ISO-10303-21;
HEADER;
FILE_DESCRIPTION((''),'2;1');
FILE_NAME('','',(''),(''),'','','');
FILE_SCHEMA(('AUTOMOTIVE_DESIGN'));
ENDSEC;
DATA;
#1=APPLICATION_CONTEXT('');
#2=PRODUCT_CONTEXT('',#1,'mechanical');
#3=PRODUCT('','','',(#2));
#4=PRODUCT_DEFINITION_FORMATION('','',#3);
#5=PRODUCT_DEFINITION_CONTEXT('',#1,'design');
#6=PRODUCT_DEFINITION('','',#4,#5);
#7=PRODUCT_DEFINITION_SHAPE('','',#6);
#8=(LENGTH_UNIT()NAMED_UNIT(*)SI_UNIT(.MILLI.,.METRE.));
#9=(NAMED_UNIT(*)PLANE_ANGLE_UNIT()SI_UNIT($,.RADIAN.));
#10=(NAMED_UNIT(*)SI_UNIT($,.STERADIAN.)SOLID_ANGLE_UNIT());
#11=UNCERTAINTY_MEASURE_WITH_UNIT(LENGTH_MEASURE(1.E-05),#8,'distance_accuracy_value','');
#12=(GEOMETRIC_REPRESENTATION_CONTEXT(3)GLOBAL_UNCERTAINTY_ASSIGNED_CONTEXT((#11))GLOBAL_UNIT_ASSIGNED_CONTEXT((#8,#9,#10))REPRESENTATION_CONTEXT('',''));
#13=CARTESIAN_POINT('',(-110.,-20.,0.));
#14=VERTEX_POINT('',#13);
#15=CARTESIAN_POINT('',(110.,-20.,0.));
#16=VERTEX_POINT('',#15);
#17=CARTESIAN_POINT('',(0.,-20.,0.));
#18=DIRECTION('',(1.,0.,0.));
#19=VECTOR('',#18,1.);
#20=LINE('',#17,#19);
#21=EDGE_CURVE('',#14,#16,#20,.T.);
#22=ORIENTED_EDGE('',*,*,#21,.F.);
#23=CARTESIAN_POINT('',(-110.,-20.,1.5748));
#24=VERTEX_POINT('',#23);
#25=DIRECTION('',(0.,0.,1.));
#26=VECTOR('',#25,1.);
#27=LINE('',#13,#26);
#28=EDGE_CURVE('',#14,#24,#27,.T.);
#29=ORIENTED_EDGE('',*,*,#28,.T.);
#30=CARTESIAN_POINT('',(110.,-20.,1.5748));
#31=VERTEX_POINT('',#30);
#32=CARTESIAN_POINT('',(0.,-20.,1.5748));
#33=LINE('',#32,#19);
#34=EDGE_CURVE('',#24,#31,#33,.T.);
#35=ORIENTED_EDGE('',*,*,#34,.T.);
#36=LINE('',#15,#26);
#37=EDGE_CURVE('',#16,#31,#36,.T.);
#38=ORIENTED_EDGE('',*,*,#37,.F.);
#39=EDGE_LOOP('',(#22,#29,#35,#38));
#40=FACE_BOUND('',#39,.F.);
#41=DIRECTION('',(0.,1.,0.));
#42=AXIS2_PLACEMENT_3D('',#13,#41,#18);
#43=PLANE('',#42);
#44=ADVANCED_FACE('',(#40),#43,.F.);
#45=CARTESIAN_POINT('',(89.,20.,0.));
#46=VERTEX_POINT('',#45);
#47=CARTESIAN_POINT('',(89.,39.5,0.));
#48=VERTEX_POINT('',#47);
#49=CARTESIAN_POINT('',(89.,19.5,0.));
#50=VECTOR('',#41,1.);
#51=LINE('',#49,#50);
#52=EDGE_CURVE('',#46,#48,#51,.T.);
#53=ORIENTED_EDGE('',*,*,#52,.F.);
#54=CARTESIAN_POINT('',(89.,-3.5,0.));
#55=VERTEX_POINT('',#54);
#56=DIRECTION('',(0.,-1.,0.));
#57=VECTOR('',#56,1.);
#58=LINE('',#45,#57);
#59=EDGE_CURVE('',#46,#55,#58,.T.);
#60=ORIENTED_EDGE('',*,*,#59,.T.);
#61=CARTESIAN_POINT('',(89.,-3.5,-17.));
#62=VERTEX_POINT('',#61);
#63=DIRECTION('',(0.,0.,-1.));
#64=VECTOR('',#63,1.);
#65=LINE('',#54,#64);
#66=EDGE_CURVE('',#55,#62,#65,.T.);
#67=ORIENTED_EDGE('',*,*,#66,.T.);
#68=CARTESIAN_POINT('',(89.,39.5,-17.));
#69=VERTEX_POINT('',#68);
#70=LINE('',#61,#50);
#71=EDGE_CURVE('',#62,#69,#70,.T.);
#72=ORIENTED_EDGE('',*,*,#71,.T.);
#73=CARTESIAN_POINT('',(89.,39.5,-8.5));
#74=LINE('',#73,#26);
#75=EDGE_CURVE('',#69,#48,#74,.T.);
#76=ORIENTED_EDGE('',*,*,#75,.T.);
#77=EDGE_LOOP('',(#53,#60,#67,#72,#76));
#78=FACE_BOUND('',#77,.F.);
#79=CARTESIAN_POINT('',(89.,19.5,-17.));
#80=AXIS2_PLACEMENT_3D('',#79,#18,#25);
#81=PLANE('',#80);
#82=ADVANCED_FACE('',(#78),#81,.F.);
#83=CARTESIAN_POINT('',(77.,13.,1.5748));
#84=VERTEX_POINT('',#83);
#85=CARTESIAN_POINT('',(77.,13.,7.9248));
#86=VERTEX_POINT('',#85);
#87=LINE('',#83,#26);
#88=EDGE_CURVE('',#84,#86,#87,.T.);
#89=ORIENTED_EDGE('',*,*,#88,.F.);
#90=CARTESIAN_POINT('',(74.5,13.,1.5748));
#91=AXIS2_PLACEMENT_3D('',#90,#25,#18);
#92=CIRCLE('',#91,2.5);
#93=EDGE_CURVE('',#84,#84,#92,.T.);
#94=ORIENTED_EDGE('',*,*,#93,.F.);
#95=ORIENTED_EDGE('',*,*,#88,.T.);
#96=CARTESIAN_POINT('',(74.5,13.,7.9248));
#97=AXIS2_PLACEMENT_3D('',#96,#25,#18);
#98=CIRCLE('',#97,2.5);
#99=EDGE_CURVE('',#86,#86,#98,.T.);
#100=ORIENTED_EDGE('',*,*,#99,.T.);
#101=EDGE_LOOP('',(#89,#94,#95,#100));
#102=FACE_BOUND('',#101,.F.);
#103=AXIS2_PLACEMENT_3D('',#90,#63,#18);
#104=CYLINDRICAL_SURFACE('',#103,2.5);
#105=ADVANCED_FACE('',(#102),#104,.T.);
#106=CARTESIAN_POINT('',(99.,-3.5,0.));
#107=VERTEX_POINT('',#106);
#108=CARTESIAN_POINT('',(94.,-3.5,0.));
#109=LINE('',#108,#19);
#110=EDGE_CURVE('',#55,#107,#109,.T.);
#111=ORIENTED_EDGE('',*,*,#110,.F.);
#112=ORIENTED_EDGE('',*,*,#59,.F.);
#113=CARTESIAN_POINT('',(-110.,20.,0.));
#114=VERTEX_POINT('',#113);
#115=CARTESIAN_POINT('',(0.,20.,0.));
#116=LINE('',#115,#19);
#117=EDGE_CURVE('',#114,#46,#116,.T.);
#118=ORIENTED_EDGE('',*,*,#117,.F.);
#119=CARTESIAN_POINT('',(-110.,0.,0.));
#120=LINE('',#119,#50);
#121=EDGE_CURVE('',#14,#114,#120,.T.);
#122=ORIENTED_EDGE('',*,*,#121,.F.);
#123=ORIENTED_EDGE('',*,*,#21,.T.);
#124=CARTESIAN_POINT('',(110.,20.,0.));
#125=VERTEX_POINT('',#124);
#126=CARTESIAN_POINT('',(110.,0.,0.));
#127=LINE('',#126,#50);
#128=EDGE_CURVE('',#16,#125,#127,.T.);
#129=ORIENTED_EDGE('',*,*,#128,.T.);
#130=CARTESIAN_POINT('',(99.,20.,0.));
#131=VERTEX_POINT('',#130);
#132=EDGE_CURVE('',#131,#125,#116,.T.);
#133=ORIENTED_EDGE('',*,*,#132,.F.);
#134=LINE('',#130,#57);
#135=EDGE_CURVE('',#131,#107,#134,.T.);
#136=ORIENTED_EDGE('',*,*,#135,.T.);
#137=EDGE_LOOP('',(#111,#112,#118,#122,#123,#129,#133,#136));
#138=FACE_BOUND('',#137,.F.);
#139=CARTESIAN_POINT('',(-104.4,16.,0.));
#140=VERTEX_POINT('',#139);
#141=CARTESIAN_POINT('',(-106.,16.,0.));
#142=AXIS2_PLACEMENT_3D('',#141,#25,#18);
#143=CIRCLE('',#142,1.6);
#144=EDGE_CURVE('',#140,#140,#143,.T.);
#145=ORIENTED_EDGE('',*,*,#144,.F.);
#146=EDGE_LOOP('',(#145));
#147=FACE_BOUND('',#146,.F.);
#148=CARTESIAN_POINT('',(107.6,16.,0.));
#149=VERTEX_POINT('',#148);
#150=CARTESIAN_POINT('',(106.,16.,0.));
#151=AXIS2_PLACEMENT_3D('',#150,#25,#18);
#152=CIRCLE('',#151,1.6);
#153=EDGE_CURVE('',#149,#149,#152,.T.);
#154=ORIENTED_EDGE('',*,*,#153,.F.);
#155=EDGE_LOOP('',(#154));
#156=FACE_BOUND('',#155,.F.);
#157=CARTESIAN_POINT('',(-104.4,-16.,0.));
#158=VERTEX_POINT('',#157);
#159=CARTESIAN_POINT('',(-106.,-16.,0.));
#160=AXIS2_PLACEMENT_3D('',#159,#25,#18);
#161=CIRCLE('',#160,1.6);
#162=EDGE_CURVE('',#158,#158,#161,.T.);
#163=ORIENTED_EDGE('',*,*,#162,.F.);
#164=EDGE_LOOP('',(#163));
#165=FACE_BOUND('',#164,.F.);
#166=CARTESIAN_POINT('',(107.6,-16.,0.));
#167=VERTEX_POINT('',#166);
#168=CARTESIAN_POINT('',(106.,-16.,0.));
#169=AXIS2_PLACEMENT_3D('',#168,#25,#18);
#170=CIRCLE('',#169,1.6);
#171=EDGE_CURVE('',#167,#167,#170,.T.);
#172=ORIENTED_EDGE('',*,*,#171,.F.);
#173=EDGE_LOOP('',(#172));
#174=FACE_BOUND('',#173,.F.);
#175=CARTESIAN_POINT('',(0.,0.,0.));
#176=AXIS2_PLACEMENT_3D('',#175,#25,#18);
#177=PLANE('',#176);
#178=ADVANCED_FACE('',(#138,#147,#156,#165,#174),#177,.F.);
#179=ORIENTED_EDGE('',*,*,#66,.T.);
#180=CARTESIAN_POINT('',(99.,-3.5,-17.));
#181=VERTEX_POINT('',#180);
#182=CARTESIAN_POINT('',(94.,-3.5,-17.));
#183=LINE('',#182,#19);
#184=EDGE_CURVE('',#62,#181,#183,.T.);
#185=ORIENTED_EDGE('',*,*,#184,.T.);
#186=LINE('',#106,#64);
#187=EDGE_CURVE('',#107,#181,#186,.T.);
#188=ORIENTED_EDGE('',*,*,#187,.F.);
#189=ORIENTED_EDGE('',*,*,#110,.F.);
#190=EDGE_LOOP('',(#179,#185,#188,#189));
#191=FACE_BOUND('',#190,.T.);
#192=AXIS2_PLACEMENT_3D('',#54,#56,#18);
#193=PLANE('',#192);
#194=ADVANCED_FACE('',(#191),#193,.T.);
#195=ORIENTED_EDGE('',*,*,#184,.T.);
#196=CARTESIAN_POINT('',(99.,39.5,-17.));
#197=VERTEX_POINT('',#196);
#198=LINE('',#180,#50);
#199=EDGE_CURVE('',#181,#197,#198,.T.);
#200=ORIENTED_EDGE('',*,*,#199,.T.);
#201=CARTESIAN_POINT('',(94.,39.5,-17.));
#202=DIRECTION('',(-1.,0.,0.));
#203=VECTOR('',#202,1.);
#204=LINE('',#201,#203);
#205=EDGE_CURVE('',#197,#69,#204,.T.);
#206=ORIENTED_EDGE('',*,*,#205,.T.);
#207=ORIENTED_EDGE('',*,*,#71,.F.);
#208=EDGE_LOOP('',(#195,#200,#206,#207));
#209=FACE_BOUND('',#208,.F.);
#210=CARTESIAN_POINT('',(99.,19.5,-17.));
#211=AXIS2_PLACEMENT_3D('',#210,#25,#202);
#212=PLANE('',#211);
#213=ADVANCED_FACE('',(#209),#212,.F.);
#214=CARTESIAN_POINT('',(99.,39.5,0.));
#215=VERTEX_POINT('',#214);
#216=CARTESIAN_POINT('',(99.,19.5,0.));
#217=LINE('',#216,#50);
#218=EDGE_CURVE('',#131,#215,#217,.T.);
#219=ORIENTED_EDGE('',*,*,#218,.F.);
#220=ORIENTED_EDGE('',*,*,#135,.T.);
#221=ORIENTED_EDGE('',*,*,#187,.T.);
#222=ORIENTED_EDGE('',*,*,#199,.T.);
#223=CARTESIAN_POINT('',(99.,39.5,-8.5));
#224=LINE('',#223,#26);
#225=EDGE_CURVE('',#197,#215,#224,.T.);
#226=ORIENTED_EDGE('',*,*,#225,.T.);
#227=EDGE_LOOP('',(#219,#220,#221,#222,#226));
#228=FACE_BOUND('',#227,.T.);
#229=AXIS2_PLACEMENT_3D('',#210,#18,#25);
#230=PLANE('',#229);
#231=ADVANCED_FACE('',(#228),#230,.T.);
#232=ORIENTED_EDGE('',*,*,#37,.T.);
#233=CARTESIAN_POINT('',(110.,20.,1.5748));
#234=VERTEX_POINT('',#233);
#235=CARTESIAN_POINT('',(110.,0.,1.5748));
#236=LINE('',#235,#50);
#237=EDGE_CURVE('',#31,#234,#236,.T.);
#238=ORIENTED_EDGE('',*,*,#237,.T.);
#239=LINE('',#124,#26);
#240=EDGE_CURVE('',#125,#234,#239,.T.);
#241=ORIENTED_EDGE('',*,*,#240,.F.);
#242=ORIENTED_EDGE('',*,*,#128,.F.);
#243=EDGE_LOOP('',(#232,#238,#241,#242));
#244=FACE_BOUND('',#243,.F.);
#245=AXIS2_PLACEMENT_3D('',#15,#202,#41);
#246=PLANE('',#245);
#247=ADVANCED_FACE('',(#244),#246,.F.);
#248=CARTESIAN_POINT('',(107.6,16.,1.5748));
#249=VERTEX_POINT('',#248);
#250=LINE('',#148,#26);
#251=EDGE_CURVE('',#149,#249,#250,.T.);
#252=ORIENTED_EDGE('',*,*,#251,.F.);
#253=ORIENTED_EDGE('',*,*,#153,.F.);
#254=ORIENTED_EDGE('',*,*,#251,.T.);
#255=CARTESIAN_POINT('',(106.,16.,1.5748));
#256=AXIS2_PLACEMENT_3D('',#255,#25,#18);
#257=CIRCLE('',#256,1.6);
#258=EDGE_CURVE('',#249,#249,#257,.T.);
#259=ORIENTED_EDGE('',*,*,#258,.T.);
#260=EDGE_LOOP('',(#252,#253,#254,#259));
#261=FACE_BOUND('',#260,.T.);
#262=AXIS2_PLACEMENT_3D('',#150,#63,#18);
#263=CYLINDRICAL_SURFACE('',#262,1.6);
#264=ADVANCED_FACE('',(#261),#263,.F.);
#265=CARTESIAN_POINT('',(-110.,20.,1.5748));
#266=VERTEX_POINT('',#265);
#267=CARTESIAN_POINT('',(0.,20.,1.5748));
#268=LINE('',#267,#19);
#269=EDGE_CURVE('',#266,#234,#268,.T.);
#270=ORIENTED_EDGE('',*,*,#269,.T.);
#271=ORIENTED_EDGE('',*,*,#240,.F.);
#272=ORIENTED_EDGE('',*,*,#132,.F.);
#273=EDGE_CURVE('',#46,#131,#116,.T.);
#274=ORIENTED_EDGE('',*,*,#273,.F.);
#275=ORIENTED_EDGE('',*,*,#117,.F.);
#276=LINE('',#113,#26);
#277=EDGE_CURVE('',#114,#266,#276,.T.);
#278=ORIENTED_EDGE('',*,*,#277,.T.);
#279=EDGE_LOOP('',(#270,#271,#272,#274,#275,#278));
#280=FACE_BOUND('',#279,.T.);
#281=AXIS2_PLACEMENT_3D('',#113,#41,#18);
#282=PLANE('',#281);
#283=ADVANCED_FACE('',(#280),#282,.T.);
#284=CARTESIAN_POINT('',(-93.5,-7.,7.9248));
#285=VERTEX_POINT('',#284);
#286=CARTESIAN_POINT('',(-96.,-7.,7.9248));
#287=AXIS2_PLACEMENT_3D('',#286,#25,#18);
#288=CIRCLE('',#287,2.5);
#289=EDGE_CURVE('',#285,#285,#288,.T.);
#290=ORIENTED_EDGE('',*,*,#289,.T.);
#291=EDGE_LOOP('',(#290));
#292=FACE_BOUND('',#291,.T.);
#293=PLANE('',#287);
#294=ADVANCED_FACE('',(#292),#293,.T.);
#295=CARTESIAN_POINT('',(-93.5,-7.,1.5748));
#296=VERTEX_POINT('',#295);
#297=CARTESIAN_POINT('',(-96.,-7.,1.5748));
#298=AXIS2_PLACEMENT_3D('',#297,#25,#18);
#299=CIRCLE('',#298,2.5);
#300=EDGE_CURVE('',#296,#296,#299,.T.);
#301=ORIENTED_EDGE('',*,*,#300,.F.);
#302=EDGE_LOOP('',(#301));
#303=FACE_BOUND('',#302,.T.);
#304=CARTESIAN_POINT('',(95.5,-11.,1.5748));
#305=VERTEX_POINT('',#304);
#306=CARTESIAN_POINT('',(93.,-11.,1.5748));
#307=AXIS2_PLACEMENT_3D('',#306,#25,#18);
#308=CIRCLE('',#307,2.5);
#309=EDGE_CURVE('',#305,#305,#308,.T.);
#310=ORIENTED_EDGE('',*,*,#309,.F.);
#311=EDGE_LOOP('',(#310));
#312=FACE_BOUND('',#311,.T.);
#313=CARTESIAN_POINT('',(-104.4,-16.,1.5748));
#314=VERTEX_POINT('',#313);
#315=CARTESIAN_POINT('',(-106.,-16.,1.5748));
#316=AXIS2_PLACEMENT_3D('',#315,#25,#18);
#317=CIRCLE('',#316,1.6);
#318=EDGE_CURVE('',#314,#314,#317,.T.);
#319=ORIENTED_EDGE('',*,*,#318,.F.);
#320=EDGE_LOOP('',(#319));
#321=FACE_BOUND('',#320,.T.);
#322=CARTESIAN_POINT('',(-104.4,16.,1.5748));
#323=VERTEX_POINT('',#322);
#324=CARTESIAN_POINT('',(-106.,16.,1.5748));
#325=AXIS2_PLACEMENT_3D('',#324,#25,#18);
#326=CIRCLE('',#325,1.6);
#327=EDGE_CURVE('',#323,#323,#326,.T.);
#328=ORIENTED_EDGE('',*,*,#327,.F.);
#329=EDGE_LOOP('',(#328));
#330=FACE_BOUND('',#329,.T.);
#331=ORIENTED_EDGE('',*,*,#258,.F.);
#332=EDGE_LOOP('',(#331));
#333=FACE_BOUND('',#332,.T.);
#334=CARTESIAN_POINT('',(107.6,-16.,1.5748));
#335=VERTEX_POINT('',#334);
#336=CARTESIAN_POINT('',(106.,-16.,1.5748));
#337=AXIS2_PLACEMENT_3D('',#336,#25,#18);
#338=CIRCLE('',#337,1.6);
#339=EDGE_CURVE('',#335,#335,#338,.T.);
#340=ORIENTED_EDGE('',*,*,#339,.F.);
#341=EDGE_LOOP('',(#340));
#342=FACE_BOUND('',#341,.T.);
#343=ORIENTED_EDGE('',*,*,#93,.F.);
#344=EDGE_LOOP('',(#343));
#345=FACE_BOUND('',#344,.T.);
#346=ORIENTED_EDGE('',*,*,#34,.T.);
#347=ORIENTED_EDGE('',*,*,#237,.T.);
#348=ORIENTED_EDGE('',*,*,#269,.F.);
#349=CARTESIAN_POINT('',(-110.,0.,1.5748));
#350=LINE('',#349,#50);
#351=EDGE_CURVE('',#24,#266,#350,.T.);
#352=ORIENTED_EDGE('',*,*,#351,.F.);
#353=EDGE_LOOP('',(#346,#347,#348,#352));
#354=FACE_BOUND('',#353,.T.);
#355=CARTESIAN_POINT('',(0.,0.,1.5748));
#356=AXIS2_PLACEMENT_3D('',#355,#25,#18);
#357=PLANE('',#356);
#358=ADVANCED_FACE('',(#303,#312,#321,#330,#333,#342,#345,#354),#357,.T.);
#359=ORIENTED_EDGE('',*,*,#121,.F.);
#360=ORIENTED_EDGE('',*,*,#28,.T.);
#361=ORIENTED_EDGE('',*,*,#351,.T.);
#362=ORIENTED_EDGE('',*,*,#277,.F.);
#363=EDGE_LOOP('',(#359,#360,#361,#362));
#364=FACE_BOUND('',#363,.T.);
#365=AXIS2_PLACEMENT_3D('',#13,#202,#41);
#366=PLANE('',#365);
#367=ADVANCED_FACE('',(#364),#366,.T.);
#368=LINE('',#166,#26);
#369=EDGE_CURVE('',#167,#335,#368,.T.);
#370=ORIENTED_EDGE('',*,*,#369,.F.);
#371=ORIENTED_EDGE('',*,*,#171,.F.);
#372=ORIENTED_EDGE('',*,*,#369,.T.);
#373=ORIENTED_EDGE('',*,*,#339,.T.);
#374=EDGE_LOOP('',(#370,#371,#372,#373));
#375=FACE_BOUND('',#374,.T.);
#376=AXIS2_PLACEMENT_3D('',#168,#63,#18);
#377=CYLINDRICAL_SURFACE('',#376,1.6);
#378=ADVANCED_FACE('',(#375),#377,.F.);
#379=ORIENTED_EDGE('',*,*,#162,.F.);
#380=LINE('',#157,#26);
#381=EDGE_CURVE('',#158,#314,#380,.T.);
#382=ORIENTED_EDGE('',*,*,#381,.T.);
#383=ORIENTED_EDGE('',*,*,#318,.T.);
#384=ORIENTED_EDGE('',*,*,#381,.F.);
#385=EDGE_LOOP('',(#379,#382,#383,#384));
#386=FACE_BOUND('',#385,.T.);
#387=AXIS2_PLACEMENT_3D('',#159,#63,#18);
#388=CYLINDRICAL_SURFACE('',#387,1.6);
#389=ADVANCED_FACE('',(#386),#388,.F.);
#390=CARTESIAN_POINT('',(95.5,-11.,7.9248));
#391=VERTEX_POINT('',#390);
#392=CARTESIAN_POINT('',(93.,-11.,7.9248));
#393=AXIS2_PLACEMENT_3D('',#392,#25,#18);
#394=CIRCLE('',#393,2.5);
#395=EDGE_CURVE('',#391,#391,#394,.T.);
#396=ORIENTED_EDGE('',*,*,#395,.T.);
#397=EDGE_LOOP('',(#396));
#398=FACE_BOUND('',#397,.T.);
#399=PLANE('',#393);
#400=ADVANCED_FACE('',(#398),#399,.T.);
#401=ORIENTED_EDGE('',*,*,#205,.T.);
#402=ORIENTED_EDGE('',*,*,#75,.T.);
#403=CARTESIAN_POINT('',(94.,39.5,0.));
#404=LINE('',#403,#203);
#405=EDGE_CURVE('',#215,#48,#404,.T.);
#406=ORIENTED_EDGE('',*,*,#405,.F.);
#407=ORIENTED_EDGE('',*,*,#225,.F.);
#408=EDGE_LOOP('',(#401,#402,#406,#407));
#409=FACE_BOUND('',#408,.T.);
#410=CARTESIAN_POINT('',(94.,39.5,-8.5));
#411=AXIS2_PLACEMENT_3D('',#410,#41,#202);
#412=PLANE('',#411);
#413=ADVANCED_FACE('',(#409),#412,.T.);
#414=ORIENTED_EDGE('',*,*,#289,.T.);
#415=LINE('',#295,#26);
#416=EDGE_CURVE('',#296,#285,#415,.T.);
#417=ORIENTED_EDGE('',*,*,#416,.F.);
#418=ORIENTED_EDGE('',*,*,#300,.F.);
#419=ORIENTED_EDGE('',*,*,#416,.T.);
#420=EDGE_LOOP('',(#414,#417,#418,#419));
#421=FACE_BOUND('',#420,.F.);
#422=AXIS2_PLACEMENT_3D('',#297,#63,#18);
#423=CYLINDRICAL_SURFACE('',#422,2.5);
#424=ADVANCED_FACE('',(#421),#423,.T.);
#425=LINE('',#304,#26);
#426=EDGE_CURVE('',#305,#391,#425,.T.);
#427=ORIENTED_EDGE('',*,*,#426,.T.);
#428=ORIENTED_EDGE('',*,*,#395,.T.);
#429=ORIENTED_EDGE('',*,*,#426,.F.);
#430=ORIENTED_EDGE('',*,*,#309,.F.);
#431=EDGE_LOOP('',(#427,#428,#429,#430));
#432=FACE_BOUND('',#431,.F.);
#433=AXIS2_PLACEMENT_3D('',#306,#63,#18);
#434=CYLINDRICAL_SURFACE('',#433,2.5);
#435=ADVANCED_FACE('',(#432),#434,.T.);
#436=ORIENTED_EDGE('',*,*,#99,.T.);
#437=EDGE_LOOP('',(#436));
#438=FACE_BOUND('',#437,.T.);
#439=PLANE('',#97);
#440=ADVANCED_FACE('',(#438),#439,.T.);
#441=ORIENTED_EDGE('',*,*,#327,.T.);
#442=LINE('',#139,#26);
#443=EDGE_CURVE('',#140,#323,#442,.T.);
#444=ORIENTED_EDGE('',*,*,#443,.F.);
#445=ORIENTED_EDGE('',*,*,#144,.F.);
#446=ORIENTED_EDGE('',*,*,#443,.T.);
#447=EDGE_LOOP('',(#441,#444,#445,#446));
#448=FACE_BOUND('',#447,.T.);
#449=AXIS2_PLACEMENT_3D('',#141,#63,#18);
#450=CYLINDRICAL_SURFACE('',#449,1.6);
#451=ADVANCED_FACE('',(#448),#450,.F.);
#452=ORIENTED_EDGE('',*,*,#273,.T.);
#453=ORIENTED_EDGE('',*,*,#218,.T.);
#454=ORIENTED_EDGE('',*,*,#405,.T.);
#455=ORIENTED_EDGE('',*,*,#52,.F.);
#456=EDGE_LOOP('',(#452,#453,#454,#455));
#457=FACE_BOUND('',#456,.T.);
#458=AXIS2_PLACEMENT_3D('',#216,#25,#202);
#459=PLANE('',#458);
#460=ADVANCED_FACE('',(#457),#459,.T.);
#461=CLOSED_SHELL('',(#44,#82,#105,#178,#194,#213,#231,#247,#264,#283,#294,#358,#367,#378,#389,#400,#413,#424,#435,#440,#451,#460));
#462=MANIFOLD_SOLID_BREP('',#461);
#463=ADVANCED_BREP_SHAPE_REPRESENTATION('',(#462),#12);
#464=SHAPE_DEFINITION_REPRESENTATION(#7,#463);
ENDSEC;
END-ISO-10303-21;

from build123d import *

# Parameters (mm, degrees)
F0_W      = 220
F0_H      = 40
F0_R      = 1.6
F1_DEPTH  = 1.5748
F2_W      = 10
F2_H      = 23
F3_DEPTH  = 17
F3_FACE_W = 10
F3_FACE_H = 17
F4_DEPTH  = 20
F5_R      = 2.5
F6_DEPTH  = 6.35


with BuildPart() as f1:
    # F0 (on Top) → F1 (new body)
    with BuildSketch(Plane.XY):
        Rectangle(F0_W, F0_H)
        with Locations((-106, -16)):
            Circle(F0_R, mode=Mode.SUBTRACT)
        with Locations((106, -16)):
            Circle(F0_R, mode=Mode.SUBTRACT)
        with Locations((-106, 16)):
            Circle(F0_R, mode=Mode.SUBTRACT)
        with Locations((106, 16)):
            Circle(F0_R, mode=Mode.SUBTRACT)
    extrude(amount=F1_DEPTH)

    # F2 (on face) → F3 (join)
    with BuildSketch(Plane(origin=(0, 0, 0), x_dir=(1, 0, 0), z_dir=(0, 0, -1))):
        with Locations((94, -8)):
            Rectangle(F2_W, F2_H)
    extrude(amount=F3_DEPTH)

    # F3_face (on face) → F4 (join)
    with BuildSketch(Plane(origin=(94, 19.5, -8.5), x_dir=(-1, 0, 0), z_dir=(0, 1, 0))):
        Rectangle(F3_FACE_W, F3_FACE_H)
    extrude(amount=F4_DEPTH)

    # F5 (on face) → F6 (join)
    with BuildSketch(Plane.XY.offset(1.5748)):
        with Locations((93, -11)):
            Circle(F5_R)
        with Locations((-96, -7)):
            Circle(F5_R)
        with Locations((74.5, 13)):
            Circle(F5_R)
    extrude(amount=F6_DEPTH)


solid = f1.part
